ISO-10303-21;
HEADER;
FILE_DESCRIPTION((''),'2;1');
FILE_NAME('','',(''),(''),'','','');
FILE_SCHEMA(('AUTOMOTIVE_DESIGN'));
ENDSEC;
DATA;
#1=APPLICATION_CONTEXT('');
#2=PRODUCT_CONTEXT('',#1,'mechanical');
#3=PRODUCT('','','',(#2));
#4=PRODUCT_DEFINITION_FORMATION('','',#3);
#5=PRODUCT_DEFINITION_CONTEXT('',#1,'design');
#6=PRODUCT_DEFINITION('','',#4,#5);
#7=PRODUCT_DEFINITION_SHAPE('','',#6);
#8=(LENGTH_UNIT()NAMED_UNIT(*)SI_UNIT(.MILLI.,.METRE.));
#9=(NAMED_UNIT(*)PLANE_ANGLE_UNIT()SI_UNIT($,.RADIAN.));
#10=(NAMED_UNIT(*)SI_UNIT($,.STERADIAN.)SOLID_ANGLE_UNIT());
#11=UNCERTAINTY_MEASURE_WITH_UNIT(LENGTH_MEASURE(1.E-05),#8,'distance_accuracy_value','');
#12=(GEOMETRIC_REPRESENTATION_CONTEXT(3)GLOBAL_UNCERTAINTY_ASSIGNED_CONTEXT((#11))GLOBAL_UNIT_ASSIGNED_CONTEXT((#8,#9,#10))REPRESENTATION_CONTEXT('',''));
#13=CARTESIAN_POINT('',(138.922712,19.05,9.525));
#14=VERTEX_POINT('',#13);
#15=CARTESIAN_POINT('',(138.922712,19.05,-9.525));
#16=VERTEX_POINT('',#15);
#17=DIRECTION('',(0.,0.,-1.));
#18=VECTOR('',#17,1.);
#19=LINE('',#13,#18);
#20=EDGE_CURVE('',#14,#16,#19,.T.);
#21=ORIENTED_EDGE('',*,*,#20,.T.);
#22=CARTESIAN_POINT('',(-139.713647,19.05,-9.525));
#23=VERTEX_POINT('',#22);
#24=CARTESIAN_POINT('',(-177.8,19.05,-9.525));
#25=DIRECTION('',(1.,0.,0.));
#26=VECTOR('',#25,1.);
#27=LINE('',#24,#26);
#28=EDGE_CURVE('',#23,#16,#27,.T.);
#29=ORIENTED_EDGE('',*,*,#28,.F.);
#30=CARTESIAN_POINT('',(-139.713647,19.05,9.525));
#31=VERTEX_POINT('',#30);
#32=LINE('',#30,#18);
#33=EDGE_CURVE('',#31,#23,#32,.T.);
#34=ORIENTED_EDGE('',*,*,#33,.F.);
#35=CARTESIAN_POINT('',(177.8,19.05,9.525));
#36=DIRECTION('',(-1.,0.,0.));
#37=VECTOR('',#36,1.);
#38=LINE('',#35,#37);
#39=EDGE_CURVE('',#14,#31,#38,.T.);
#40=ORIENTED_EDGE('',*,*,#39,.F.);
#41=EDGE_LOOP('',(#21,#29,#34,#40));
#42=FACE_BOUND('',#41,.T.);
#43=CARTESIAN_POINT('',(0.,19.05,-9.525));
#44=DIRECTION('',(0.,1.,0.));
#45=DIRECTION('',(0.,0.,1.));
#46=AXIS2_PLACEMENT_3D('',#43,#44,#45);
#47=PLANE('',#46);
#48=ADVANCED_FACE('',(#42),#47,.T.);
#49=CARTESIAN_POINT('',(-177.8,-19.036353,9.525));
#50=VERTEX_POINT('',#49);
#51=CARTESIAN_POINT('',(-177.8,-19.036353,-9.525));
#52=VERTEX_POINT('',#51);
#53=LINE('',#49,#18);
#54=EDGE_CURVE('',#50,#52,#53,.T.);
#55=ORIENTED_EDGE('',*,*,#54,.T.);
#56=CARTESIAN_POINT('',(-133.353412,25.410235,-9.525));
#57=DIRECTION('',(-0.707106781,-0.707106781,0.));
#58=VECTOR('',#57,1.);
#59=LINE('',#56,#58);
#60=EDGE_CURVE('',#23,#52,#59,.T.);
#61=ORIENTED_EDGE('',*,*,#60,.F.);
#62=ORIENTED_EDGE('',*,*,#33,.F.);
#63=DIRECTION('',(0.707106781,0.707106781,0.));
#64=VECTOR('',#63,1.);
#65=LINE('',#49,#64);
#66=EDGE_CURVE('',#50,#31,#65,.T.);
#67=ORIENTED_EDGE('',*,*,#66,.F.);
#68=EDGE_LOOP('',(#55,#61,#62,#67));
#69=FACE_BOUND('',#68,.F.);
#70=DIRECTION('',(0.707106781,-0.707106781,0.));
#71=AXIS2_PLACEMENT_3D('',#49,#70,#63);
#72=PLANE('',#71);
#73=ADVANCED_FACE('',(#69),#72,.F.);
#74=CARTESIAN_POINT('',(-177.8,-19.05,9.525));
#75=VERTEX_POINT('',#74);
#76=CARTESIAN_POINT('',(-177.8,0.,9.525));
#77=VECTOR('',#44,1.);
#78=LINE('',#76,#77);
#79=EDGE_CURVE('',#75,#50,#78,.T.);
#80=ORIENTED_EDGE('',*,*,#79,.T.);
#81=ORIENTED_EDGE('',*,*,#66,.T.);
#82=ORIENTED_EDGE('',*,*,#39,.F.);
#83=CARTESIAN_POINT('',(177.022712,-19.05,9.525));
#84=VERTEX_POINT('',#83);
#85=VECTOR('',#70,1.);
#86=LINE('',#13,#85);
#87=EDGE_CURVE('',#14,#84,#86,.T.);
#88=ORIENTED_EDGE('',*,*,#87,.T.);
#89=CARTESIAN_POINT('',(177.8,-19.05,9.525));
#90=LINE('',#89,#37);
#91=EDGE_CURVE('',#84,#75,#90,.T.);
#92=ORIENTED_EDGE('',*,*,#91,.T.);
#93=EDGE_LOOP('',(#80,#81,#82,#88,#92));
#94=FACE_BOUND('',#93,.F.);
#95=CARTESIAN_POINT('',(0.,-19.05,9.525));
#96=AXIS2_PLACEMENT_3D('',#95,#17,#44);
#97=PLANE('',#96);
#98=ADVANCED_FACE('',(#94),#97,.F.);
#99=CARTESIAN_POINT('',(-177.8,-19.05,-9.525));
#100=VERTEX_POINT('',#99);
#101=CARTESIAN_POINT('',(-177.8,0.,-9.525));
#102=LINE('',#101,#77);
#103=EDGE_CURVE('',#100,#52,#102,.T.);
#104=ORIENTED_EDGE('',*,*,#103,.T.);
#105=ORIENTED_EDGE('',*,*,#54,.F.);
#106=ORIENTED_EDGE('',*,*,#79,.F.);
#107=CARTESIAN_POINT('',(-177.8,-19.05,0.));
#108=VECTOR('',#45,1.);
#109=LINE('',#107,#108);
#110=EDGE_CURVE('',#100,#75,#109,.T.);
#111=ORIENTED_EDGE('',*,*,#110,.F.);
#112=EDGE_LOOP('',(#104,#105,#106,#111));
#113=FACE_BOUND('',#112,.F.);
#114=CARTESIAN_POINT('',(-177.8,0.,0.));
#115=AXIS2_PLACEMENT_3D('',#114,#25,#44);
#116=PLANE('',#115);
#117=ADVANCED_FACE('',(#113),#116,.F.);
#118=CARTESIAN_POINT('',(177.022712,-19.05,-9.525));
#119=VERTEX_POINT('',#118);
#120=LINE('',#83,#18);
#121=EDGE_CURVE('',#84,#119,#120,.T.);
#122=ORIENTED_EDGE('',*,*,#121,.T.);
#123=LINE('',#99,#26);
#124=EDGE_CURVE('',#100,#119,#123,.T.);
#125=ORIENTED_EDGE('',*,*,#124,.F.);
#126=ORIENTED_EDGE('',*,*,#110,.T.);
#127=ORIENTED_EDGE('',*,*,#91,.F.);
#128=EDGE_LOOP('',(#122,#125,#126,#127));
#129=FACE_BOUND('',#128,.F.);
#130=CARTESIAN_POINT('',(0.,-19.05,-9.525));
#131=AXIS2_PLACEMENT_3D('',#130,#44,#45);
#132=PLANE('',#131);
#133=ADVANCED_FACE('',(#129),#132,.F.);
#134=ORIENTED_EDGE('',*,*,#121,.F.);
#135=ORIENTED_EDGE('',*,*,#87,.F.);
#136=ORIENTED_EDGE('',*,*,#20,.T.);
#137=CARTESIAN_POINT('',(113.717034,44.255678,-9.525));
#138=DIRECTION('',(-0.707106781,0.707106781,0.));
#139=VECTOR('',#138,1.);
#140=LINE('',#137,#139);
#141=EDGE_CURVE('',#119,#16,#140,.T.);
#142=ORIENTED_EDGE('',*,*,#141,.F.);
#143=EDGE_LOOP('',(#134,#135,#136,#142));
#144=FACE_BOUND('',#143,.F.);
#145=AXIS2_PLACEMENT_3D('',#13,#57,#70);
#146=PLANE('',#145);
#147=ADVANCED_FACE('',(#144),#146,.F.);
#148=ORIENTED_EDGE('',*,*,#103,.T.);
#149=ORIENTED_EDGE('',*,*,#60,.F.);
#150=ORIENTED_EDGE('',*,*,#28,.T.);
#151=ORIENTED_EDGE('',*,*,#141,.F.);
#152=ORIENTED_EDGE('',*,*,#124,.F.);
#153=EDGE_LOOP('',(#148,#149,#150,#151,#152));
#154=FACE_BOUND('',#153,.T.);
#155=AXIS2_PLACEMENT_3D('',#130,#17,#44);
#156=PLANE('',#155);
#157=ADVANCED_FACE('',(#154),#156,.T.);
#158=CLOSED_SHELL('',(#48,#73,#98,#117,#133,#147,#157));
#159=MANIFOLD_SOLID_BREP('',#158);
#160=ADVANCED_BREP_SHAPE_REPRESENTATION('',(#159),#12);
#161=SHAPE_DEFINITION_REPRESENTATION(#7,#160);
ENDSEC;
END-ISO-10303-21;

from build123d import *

# Parameters (mm, degrees)
F0_W     = 38.1
F0_H     = 19.05
F1_DEPTH = 177.8
F4_DEPTH = 50.8
F6_DEPTH = 50.8


with BuildPart() as f1:
    # F0 (on Right) → F1 (new body, symmetric)
    with BuildSketch(Plane.YZ):
        Rectangle(F0_W, F0_H)
    extrude(amount=F1_DEPTH, both=True)

    # F3 (on face) → F4 (cut)
    with BuildSketch(Plane.XY.offset(9.525)):
        Polygon((-177.8, 19.05), (-177.8, -19.0363529205), (-139.7136470795, 19.05), align=None)
    extrude(amount=-F4_DEPTH, mode=Mode.SUBTRACT)

    # F5 (on face) → F6 (cut)
    with BuildSketch(Plane.XY.offset(9.525)):
        Polygon((138.9227120697, 19.05), (177.0227120697, -19.05), (177.8, -19.05), (177.8, 19.05), align=None)
    extrude(amount=-F6_DEPTH, mode=Mode.SUBTRACT)


solid = f1.part
